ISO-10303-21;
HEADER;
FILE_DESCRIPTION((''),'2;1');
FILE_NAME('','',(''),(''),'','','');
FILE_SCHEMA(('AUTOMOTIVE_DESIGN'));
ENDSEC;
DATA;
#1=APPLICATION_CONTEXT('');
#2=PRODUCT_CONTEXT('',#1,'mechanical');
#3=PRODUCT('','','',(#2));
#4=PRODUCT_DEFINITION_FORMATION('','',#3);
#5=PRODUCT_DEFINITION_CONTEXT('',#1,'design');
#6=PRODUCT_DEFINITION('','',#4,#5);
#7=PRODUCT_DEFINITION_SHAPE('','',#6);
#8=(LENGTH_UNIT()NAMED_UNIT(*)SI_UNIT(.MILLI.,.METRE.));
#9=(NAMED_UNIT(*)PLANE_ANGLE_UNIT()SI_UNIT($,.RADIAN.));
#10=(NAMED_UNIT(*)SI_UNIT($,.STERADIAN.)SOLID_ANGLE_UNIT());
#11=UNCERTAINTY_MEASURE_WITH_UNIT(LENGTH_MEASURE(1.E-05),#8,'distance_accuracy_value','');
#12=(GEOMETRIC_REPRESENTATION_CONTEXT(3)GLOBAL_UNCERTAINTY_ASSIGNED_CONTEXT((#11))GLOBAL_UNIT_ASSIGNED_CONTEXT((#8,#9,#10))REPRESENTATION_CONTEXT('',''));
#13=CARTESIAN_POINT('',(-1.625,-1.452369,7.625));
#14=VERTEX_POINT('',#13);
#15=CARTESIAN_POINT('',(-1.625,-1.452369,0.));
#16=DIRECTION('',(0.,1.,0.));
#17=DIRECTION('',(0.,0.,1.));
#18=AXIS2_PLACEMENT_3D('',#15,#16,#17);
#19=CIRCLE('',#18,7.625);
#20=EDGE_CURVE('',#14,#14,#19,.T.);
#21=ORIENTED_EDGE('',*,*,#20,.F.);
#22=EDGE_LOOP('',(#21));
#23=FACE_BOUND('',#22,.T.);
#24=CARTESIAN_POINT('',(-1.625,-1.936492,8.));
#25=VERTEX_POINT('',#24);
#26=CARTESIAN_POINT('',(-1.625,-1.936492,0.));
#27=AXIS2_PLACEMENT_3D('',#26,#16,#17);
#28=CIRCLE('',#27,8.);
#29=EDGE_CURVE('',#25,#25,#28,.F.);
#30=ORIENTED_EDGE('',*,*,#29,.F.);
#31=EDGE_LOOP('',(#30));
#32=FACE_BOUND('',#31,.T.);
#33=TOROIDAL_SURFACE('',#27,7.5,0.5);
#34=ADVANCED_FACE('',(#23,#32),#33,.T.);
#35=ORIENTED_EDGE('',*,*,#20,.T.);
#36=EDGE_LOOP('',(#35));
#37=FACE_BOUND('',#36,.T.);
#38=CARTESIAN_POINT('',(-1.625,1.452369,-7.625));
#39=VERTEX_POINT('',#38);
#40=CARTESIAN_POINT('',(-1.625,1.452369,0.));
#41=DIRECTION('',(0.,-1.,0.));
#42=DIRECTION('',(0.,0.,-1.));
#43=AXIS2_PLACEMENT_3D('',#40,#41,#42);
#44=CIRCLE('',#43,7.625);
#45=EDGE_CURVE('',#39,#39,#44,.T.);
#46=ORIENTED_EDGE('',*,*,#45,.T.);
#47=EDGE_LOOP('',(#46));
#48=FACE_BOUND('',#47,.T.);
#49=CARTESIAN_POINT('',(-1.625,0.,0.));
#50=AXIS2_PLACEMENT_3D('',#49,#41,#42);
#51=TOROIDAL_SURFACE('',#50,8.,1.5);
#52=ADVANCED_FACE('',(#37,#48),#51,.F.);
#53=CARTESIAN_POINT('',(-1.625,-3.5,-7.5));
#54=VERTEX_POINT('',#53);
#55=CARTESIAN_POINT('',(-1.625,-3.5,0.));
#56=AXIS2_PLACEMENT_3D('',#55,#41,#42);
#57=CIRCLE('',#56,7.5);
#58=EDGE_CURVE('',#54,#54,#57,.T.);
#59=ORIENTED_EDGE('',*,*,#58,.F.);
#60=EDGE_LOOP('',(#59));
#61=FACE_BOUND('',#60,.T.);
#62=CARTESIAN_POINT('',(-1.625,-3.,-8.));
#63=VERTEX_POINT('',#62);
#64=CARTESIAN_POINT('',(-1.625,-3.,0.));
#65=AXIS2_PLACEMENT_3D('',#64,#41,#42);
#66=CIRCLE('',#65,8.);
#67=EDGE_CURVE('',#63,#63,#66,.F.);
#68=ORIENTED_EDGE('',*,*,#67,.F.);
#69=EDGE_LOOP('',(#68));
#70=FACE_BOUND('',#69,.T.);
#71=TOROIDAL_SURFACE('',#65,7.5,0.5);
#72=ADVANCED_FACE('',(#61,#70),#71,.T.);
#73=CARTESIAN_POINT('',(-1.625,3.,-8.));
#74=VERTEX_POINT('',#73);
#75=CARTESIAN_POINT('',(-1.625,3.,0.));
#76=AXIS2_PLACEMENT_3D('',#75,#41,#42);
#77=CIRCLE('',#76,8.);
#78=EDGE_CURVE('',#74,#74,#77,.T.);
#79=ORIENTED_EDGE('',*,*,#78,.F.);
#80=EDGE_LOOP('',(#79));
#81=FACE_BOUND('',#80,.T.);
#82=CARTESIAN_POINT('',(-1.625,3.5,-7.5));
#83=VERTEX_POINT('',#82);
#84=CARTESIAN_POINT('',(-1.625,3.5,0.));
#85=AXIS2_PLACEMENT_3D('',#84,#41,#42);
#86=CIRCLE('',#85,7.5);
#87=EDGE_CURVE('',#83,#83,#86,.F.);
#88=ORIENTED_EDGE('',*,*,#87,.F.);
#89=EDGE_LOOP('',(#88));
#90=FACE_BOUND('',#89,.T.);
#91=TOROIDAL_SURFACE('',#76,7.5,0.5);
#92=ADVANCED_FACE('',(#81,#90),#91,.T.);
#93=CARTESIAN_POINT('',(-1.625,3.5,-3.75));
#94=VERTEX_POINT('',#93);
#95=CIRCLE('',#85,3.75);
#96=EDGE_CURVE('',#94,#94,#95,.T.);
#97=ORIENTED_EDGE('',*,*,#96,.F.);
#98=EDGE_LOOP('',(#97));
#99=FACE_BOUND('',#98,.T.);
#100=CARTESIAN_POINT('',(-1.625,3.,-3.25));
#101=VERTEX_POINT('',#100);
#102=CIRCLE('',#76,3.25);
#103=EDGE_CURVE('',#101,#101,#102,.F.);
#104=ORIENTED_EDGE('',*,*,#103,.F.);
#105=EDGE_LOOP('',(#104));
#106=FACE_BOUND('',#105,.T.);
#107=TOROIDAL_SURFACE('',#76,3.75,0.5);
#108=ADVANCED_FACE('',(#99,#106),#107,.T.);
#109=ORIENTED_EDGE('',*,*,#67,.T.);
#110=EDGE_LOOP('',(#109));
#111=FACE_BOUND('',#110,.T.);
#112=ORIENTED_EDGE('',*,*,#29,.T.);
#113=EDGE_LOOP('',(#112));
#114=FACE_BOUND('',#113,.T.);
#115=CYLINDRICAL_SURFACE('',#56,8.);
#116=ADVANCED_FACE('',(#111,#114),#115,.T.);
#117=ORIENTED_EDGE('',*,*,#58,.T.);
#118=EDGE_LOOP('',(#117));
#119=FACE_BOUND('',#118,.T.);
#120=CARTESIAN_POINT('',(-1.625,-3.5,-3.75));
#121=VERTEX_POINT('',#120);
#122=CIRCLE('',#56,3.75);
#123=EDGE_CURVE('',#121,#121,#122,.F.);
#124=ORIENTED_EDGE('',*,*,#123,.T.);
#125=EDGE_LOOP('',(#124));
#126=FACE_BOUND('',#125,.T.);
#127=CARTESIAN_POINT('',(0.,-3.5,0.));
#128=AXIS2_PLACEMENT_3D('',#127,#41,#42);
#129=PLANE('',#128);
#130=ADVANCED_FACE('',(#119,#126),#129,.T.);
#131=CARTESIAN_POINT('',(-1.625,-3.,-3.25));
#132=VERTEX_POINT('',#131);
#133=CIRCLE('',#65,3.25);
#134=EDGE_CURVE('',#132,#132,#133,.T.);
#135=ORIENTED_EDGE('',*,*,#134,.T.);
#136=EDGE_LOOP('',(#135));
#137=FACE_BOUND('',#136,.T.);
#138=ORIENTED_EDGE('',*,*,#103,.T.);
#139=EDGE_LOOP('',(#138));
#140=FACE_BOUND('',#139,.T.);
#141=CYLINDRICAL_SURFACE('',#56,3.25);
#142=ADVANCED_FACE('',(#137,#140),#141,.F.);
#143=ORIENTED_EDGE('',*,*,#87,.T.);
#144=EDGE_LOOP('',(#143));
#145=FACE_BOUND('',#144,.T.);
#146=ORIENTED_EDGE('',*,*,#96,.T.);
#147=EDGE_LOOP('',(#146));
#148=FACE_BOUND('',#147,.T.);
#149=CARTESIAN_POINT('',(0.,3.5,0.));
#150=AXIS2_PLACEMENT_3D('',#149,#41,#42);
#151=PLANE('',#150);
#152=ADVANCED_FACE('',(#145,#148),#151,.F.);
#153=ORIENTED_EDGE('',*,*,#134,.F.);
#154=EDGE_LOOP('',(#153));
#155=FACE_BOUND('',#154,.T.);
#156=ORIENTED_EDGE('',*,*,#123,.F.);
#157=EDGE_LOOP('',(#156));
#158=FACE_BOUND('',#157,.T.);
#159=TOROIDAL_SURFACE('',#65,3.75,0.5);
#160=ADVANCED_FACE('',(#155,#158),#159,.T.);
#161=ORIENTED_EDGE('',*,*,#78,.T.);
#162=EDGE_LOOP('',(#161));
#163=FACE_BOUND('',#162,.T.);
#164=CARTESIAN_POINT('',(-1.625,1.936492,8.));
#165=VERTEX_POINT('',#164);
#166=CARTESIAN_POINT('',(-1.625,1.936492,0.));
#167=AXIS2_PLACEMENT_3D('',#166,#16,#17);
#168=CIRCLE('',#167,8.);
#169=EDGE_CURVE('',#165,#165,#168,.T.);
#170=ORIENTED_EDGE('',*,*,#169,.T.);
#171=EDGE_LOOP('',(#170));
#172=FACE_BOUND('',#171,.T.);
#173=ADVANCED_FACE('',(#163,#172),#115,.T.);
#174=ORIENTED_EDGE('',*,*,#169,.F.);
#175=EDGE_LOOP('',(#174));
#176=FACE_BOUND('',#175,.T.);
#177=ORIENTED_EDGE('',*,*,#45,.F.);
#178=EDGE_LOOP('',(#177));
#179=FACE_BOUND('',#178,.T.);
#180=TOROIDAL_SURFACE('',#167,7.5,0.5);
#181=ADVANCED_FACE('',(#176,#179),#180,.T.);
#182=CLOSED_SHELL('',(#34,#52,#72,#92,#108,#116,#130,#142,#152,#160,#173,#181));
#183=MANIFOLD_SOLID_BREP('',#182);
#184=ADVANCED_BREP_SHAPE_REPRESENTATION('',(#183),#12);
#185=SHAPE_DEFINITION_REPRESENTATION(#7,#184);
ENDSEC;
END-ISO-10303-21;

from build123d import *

# Parameters (mm, degrees)
FILLET1_R = 0.5


with BuildPart() as part:
    # Sketch1 → Revolve1 (revolve)
    with BuildSketch(Plane.XY, mode=Mode.PRIVATE) as revolve1_sk:
        with BuildLine():
            Line((1.625, 3.5), (1.625, -3.5))
            Line((1.625, -3.5), (6.375, -3.5))
            Line((6.375, -3.5), (6.375, -1.5))
            ThreePointArc((6.375, -1.5), (4.875, 0), (6.375, 1.5))
            Line((6.375, 1.5), (6.375, 3.5))
            Line((6.375, 3.5), (1.625, 3.5))
        make_face()
    revolve(revolve1_sk.sketch.rotate(Axis((-1.625, -3.5, 0), (0, 1, 0)), 90), axis=Axis((-1.625, -3.5, 0), (0, 1, 0)))

    # Fillet1
    fillet1_edges = [part.edges().sort_by_distance(p)[0] for p in [
        (-1.625, -1.5, 8),
        (-1.625, -3.5, 8),
        (-1.625, -3.5, 3.25),
        (-1.625, 3.5, 3.25),
        (-1.625, 3.5, 8),
        (-1.625, 1.5, 8),
    ]]
    fillet(fillet1_edges, radius=FILLET1_R)


solid = part.part
